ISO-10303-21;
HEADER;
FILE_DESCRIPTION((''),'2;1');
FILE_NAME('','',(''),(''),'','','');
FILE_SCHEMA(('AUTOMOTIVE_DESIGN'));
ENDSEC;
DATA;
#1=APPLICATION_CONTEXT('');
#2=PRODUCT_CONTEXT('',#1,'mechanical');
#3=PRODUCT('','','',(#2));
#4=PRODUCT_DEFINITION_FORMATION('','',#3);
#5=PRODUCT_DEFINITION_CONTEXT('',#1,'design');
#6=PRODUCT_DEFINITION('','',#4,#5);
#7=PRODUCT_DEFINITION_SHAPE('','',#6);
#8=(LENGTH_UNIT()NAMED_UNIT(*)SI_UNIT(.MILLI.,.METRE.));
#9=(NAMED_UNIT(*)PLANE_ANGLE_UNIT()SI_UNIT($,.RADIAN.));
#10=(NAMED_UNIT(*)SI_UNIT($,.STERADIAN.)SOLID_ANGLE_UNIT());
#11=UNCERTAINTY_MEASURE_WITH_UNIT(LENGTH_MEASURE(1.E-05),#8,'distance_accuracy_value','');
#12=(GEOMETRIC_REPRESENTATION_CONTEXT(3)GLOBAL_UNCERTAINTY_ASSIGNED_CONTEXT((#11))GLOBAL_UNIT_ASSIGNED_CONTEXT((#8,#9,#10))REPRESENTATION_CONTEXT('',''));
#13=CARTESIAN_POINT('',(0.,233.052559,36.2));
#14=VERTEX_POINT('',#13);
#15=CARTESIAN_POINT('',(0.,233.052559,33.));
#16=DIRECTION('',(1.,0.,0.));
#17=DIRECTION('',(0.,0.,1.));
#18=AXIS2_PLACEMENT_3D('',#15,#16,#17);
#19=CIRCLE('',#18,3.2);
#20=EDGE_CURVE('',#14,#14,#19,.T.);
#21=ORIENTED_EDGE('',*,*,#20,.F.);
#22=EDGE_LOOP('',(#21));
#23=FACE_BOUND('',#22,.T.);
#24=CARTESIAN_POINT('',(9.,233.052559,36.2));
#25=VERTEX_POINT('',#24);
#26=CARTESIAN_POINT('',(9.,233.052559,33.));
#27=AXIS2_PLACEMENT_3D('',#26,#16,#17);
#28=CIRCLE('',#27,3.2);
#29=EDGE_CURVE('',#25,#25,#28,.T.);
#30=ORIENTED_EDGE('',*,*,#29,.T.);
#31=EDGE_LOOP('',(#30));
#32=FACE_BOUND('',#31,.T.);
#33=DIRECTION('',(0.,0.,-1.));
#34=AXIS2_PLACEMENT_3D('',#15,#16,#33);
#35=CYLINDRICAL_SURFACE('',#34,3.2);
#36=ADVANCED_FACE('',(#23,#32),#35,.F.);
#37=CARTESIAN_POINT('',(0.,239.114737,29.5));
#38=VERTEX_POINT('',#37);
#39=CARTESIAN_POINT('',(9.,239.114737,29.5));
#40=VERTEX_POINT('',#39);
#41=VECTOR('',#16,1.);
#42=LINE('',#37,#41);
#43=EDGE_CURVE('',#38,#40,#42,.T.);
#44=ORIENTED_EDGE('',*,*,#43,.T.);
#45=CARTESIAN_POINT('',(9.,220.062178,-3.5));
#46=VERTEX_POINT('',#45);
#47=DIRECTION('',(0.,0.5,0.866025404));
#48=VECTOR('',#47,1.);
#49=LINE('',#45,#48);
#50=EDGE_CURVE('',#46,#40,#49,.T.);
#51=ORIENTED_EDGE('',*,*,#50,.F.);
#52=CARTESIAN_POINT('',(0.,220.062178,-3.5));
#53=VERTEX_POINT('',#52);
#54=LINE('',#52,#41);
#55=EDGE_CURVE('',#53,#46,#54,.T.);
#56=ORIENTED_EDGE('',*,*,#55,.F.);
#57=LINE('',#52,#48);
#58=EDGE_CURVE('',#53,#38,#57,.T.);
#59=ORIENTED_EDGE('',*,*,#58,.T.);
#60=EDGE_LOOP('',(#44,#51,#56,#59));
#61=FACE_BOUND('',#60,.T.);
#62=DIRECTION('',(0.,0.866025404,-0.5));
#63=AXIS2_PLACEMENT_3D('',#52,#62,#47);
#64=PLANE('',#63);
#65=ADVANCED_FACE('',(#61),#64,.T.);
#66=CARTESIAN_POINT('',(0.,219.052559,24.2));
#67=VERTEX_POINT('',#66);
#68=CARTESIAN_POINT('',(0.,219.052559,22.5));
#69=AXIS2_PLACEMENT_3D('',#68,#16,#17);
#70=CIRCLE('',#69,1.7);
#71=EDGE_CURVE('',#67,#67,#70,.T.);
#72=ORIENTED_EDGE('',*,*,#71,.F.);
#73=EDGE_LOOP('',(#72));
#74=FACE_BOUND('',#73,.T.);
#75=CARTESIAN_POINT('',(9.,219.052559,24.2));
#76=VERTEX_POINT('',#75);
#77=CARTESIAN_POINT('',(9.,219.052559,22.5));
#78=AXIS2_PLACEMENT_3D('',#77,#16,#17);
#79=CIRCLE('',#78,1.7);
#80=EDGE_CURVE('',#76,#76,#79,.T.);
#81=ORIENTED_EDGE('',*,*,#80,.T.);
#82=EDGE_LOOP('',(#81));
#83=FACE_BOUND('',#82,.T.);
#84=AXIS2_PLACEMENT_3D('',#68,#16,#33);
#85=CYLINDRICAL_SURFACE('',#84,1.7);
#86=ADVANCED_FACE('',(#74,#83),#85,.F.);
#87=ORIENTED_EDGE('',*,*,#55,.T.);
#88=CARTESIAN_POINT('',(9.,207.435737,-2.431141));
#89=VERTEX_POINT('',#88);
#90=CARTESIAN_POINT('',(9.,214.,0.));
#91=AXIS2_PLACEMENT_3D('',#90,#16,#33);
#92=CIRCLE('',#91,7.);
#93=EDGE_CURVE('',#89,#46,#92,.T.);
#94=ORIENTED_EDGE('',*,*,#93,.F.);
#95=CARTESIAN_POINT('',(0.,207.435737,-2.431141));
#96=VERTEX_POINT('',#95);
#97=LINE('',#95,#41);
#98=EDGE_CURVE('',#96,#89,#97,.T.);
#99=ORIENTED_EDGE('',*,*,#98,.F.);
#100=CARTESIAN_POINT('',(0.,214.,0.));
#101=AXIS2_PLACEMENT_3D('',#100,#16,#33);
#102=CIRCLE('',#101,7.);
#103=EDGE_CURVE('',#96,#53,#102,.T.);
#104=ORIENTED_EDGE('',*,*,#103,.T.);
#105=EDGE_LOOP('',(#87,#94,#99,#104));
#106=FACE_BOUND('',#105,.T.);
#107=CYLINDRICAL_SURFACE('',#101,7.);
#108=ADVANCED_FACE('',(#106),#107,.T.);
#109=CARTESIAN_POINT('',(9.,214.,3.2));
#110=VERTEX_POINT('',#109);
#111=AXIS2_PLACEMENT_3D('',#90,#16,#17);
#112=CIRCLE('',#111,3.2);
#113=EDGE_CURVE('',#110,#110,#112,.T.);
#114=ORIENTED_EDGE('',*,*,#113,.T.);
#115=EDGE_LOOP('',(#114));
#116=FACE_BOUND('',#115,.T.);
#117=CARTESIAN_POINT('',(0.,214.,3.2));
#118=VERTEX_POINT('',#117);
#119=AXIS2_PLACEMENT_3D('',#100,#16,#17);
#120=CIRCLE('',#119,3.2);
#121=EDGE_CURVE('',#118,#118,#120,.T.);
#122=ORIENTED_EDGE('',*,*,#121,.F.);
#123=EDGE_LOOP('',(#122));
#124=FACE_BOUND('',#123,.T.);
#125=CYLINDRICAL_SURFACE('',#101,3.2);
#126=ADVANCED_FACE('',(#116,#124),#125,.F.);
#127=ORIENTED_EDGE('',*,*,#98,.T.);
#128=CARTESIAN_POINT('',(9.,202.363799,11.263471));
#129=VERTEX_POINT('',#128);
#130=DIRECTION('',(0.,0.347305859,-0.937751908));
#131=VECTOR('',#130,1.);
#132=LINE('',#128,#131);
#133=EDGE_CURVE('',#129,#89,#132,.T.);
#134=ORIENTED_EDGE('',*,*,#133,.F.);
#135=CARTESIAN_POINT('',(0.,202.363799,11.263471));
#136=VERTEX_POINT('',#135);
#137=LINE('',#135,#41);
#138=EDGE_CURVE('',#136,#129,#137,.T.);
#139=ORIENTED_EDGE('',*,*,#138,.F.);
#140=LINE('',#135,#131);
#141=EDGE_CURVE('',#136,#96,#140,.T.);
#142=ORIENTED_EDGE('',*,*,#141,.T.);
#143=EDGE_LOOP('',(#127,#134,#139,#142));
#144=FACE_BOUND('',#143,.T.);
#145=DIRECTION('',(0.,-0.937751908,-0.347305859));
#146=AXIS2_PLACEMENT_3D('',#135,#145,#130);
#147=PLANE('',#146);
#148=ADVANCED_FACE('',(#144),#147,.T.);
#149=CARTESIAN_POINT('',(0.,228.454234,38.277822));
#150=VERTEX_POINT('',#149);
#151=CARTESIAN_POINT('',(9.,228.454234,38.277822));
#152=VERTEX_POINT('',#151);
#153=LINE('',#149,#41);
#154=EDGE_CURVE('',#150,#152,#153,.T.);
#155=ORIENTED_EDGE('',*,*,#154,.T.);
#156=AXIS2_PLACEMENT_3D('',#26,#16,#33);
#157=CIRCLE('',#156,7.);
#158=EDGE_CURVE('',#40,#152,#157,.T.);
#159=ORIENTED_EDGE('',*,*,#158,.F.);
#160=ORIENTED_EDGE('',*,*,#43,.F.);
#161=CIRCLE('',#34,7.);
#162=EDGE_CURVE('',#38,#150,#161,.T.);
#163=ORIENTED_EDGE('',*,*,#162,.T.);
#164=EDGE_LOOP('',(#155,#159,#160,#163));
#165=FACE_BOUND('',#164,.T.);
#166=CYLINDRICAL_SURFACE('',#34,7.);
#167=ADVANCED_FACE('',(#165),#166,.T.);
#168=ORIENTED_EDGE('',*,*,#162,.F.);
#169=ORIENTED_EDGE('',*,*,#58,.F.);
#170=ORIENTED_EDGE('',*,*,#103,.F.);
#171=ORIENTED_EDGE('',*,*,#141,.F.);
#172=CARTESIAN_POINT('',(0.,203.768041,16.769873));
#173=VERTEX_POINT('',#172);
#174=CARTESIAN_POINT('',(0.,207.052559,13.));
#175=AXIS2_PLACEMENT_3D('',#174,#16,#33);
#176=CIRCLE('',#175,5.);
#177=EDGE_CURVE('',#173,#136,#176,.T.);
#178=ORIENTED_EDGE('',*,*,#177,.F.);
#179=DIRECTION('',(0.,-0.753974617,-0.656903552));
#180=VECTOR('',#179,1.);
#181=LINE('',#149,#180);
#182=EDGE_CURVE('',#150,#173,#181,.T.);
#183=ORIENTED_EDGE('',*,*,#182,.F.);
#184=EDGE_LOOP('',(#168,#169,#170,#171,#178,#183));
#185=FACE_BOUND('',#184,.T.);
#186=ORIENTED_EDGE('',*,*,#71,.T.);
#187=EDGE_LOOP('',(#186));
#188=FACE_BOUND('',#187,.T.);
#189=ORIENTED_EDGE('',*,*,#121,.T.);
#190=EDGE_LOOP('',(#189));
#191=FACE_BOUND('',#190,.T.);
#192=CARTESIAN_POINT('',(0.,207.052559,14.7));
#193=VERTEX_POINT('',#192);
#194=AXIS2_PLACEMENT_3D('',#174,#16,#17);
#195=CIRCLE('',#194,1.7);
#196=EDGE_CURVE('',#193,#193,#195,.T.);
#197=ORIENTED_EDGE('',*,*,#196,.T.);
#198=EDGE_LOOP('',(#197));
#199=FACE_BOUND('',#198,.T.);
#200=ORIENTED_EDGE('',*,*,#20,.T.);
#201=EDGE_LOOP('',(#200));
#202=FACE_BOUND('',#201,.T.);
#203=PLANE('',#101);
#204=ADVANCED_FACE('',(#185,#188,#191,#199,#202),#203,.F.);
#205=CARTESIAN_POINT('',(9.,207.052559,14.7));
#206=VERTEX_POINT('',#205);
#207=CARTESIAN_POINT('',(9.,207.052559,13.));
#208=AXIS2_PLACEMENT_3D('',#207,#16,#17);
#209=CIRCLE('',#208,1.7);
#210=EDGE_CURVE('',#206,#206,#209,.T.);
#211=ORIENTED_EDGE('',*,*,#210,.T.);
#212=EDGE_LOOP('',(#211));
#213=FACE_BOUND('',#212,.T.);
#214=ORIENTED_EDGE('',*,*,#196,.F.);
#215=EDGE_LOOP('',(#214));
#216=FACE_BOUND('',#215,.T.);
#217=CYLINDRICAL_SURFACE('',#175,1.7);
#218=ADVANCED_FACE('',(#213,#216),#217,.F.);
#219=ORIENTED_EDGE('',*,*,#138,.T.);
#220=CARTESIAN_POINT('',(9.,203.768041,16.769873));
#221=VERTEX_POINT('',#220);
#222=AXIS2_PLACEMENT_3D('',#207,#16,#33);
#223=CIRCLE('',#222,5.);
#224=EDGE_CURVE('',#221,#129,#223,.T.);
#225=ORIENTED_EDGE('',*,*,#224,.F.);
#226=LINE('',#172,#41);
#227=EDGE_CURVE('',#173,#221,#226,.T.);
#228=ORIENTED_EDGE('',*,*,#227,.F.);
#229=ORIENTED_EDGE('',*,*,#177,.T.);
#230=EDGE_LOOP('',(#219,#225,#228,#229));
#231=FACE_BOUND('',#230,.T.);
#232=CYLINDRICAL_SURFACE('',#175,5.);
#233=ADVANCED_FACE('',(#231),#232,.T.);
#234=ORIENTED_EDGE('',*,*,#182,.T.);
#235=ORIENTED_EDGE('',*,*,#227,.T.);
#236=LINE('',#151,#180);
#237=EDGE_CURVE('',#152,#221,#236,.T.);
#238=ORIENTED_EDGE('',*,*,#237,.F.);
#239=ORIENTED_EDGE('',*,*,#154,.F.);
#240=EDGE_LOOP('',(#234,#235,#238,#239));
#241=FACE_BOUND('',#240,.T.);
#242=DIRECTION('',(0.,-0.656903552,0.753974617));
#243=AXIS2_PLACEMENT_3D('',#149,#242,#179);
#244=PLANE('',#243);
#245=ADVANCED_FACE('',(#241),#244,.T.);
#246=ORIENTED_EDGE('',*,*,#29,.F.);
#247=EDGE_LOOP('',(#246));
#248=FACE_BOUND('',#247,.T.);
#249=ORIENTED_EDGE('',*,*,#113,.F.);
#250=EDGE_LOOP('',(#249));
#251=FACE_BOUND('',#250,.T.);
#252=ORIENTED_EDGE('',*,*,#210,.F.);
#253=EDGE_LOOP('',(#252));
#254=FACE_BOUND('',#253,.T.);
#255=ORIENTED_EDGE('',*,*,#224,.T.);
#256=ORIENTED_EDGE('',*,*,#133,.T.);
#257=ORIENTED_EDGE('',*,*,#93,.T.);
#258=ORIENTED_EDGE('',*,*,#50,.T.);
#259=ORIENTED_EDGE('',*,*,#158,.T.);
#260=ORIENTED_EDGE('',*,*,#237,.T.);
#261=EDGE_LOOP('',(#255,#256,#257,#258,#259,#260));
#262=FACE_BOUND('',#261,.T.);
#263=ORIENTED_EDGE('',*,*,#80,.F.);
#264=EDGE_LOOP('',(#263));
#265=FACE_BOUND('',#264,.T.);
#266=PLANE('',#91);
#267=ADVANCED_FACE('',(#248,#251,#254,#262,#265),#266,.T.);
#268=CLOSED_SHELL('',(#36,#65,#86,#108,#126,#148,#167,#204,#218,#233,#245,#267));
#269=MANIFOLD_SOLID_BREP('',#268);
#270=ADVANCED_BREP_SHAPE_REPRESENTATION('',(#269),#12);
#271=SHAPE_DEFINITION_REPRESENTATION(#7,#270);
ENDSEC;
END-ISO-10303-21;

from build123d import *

# Parameters (mm, degrees)
SKETCH1_R           = 1.7
SKETCH1_R_2         = 3.2
BOSS_EXTRUDE1_DEPTH = 9


with BuildPart() as part:
    # Sketch1 → Boss-Extrude1 (new body)
    with BuildSketch(Plane(origin=(9, 0, 0), x_dir=(0, 0, -1), z_dir=(1, 0, 0))):
        with BuildLine():
            Line((3.5, 220.062177826), (-29.5, 239.11473671))
            ThreePointArc((-29.5, 239.11473671), (-38.403863659, 237.502082178), (-38.277822321, 228.454234021))
            Line((-38.277822321, 228.454234021), (-16.769873087, 203.768041124))
            ThreePointArc((-16.769873087, 203.768041124), (-14.23555473, 202.207622918), (-11.263470707, 202.363799344))
            Line((-11.263470707, 202.363799344), (2.43114101, 207.435736645))
            ThreePointArc((2.43114101, 207.435736645), (6.975052878, 213.40954479), (3.5, 220.062177826))
        make_face()
        with Locations(Location((-13, 207.052558883, 0), (0, 0, 180))):
            Circle(SKETCH1_R, mode=Mode.SUBTRACT)
        with Locations(Location((0, 214, 0), (0, 0, 180))):
            Circle(SKETCH1_R_2, mode=Mode.SUBTRACT)
        with Locations(Location((-33, 233.052558883, 0), (0, 0, 180))):
            Circle(SKETCH1_R_2, mode=Mode.SUBTRACT)
        with Locations(Location((-22.5, 219.052558883, 0), (0, 0, 180))):
            Circle(SKETCH1_R, mode=Mode.SUBTRACT)
    extrude(amount=-BOSS_EXTRUDE1_DEPTH)


solid = part.part
